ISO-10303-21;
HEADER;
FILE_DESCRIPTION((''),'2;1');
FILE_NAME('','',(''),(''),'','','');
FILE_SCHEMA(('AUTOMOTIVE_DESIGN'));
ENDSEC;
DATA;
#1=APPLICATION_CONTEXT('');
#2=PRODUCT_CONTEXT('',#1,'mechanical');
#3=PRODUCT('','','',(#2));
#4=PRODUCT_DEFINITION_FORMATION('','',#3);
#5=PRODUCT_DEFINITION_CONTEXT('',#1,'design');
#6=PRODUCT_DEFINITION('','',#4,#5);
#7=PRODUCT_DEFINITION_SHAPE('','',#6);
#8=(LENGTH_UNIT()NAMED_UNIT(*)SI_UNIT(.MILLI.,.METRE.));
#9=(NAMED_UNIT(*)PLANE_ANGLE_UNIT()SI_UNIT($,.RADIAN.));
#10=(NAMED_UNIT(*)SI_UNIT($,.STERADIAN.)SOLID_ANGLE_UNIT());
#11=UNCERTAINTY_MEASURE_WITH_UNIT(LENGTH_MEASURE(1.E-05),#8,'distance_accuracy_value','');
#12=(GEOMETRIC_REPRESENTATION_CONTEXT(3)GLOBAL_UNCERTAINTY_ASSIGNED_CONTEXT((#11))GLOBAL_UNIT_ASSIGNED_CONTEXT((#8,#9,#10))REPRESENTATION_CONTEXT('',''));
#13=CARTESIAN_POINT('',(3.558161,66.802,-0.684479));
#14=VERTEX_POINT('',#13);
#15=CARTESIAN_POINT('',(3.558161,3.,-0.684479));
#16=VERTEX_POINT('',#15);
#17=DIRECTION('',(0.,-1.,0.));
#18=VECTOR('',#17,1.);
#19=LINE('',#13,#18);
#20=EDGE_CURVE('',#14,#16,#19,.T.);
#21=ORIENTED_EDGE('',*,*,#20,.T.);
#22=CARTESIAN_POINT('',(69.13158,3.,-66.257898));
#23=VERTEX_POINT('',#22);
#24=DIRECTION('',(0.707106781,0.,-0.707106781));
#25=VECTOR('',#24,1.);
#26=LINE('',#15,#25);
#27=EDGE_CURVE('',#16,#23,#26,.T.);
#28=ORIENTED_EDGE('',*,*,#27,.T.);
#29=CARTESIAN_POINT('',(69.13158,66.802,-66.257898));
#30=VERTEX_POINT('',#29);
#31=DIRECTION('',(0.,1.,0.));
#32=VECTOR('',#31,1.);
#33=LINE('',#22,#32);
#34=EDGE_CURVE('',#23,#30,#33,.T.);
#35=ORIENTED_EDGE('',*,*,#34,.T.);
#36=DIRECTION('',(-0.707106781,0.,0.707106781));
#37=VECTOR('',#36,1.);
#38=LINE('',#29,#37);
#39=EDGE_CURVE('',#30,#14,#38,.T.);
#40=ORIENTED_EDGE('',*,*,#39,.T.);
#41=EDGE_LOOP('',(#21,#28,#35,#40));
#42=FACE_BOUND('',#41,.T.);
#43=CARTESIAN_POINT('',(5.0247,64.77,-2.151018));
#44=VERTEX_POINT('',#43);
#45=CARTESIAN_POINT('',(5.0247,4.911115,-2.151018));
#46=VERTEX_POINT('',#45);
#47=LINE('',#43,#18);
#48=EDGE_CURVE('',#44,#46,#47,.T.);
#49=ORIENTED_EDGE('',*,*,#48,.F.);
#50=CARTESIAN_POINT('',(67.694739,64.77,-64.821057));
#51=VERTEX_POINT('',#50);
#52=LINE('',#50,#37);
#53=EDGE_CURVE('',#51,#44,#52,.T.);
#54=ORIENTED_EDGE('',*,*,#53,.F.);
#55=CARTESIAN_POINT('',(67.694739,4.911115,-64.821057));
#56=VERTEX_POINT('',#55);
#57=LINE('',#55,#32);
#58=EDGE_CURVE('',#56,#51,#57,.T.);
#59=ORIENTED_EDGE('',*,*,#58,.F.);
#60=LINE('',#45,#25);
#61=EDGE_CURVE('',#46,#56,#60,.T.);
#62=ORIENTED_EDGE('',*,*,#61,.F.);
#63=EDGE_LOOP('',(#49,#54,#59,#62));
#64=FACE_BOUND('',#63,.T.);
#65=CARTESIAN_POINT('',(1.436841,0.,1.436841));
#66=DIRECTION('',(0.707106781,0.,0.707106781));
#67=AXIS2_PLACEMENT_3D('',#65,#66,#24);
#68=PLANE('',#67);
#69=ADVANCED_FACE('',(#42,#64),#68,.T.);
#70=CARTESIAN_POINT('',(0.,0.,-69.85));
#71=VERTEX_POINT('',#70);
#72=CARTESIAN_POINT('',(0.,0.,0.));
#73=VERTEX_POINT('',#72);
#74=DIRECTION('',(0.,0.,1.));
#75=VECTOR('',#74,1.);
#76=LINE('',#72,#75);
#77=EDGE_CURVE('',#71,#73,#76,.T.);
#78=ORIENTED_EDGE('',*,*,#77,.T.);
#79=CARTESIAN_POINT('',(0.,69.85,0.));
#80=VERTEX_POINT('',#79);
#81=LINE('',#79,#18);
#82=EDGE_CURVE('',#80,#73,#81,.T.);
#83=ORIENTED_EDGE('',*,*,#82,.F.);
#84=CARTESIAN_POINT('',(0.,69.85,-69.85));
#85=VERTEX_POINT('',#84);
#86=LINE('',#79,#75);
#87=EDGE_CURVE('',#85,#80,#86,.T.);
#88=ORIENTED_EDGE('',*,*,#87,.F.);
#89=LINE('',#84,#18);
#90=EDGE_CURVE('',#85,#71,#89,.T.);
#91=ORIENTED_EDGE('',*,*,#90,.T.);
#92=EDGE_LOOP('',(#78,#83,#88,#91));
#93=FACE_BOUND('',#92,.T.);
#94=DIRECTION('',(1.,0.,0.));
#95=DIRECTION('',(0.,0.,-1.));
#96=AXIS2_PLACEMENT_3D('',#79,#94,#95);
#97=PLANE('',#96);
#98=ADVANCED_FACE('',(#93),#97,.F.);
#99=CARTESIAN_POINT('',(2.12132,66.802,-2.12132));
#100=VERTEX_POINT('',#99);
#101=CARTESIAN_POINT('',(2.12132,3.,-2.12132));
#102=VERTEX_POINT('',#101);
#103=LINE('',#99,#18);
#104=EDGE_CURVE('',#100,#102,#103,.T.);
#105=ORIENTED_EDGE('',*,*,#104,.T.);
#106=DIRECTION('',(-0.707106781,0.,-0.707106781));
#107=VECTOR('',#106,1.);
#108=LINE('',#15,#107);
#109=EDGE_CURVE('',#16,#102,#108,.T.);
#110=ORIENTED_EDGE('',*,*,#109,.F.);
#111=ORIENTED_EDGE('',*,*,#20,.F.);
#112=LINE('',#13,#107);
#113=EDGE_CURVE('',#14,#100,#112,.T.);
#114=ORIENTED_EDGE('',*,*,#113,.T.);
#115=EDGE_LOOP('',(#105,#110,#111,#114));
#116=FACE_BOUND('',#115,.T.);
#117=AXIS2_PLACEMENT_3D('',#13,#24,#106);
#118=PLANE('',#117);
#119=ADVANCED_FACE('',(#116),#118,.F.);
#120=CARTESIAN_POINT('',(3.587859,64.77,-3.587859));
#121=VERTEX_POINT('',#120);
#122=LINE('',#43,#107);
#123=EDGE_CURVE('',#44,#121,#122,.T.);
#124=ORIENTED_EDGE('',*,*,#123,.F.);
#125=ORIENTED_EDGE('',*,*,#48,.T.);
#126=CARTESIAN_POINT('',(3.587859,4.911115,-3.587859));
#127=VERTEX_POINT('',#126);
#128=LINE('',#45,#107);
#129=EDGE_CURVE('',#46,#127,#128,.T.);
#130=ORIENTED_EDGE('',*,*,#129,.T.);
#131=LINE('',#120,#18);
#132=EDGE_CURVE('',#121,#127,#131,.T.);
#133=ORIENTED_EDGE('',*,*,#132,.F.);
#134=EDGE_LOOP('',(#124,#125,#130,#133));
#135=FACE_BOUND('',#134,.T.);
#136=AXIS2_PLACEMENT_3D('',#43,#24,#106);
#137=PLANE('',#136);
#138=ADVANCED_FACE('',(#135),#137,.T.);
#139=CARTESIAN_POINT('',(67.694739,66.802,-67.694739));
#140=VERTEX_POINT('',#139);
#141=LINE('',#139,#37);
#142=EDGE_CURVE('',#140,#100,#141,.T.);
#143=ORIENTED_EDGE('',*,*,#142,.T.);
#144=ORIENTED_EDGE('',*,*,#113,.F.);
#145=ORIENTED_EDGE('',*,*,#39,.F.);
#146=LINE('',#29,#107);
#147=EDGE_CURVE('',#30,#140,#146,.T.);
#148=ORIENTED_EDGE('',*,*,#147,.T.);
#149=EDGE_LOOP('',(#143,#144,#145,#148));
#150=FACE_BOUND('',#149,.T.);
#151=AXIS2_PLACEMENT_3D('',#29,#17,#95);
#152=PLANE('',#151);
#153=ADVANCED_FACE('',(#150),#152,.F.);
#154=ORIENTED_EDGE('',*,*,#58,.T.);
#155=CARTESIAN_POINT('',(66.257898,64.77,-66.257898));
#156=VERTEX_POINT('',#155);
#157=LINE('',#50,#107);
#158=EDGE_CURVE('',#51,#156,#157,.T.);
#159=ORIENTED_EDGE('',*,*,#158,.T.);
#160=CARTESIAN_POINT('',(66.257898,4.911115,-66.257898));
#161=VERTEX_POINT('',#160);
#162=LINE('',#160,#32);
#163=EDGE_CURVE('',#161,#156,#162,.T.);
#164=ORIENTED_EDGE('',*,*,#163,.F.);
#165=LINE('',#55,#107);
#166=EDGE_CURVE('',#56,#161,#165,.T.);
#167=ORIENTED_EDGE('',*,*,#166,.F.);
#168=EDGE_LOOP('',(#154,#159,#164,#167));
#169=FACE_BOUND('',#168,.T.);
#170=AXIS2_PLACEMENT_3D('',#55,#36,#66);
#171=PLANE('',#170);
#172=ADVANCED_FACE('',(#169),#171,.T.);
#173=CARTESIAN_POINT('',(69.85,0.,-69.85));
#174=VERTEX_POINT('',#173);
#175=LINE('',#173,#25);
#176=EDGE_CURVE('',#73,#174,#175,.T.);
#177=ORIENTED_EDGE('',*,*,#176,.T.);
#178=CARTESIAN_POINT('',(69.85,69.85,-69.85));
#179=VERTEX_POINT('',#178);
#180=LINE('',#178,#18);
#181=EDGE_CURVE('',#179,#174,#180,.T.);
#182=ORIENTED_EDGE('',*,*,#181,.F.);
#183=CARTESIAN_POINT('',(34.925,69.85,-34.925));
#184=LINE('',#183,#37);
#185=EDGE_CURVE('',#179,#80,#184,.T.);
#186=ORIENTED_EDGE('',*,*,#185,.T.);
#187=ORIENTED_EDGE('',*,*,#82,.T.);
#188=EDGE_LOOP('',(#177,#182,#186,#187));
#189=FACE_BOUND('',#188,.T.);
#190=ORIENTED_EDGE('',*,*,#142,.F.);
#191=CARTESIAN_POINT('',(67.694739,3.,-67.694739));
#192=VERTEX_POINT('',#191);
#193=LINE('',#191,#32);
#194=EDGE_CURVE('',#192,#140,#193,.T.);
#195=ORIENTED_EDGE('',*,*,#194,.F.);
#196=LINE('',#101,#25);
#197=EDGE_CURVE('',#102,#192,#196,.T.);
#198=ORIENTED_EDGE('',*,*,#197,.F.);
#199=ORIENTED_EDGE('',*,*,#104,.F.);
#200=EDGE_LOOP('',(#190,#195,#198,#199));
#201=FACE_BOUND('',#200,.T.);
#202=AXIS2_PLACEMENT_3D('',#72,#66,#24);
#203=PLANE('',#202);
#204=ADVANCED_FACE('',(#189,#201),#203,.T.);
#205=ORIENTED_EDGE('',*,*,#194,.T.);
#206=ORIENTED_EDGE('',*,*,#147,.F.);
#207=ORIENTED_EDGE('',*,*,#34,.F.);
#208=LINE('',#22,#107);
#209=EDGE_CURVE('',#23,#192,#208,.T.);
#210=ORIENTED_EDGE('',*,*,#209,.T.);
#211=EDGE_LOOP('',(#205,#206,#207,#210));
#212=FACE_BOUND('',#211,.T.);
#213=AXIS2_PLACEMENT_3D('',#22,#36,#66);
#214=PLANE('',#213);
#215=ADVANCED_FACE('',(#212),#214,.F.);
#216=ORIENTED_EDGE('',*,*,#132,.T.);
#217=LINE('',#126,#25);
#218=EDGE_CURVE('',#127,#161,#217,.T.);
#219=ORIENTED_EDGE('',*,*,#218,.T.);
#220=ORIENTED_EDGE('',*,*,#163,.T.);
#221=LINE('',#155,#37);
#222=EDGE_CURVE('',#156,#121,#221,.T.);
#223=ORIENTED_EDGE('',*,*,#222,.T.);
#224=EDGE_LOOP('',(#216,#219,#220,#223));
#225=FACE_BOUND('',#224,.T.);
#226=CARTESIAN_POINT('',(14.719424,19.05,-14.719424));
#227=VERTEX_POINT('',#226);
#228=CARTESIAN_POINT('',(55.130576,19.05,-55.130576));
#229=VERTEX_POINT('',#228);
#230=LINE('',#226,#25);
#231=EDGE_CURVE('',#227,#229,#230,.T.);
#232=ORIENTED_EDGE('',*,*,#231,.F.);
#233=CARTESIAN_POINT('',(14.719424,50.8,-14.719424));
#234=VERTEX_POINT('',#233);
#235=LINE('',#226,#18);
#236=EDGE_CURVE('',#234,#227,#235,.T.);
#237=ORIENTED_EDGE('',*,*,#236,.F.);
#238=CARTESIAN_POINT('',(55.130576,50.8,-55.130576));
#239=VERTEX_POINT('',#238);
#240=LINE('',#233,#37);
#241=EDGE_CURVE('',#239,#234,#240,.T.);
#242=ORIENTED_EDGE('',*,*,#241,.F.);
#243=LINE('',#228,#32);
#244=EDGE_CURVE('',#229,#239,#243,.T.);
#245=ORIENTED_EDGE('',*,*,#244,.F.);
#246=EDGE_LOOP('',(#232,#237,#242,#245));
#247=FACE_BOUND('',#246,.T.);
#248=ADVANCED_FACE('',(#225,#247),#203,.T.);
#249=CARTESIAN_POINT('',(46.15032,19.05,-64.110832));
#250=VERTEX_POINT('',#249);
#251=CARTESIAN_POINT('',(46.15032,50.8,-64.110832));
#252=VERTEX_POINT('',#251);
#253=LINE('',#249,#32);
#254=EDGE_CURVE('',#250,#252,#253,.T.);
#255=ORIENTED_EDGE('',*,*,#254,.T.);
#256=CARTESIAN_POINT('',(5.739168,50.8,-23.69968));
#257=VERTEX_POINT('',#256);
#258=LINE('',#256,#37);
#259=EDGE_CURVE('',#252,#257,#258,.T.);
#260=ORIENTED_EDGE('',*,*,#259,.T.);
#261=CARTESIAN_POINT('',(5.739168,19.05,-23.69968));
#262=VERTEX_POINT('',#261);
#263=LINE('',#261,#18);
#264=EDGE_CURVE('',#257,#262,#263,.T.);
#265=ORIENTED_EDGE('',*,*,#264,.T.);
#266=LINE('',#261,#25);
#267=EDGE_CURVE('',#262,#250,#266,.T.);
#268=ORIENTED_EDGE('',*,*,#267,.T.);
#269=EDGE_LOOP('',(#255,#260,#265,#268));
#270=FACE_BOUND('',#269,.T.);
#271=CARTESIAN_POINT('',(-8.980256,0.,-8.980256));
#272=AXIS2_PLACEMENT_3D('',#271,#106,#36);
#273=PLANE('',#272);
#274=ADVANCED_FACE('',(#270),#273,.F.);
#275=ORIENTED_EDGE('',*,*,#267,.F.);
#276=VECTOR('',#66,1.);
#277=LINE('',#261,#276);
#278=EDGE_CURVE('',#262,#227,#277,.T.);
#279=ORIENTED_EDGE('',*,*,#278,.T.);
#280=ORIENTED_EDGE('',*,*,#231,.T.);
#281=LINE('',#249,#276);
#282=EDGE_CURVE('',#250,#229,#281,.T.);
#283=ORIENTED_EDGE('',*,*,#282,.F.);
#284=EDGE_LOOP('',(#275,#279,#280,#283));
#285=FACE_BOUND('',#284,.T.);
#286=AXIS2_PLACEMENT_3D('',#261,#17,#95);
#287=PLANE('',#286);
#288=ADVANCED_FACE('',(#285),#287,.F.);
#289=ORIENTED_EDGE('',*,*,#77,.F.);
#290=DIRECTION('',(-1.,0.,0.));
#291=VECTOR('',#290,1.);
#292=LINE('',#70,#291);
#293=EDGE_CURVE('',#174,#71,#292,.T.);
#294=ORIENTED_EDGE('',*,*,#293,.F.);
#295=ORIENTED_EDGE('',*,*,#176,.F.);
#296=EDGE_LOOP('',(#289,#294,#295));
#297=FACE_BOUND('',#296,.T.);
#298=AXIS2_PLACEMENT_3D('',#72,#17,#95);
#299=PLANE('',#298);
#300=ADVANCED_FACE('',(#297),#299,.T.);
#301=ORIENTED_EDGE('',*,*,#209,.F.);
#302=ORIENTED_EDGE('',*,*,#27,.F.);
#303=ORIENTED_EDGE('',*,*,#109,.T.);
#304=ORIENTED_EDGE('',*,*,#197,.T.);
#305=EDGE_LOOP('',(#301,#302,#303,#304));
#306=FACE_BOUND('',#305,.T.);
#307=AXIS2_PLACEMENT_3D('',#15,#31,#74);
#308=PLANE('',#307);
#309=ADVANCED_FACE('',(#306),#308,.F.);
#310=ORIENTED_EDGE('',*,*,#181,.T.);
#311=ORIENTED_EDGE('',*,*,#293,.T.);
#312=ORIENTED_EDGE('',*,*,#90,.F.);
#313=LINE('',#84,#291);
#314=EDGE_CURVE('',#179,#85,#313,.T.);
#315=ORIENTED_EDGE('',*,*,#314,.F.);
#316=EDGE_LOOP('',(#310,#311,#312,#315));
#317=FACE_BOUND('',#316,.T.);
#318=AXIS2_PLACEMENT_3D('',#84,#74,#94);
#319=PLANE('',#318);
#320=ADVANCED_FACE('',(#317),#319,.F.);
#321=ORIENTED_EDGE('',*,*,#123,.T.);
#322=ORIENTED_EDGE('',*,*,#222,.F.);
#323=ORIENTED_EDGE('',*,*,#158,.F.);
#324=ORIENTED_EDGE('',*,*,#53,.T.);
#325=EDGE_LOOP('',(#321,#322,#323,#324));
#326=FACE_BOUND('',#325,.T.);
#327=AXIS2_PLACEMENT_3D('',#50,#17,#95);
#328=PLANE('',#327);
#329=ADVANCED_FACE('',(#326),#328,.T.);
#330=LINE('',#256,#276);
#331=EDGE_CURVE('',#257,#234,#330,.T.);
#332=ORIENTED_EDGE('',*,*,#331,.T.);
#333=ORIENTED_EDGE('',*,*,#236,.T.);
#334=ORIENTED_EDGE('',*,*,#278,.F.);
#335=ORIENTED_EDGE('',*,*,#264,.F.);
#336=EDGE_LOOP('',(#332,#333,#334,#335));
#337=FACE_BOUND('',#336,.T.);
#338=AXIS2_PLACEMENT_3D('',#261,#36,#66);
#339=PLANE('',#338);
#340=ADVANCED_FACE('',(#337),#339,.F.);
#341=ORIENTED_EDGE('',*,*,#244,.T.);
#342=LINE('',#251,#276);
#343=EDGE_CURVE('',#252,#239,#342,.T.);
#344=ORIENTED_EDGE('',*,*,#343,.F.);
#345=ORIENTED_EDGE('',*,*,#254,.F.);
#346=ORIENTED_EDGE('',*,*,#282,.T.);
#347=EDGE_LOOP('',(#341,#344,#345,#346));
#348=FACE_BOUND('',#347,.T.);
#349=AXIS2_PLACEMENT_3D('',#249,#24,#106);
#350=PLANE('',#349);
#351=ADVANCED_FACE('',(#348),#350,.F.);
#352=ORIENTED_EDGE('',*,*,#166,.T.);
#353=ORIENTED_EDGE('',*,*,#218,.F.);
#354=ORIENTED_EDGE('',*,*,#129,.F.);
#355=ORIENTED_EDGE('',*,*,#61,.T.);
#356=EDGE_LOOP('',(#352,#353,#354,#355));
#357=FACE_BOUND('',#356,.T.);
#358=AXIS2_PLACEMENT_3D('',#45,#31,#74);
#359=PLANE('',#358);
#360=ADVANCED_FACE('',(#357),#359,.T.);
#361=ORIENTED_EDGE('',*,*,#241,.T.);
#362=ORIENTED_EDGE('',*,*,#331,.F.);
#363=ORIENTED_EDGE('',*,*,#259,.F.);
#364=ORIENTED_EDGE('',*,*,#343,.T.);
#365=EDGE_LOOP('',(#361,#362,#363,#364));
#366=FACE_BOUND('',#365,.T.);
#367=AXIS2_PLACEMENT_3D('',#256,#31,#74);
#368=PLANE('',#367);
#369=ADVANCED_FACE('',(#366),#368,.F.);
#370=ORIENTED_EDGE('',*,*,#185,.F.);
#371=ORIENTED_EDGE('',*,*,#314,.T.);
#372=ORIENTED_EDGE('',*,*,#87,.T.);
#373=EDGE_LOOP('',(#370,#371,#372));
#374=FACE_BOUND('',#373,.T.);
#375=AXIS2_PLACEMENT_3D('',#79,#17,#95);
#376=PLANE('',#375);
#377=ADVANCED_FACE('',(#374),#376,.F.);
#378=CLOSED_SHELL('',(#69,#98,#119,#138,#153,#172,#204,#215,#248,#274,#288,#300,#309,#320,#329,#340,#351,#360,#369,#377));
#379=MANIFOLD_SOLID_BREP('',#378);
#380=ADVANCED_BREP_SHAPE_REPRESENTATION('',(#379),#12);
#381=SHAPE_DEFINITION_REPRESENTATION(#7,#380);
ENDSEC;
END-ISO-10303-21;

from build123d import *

# Parameters (mm, degrees)
SKETCH1_W           = 69.85
SKETCH1_H           = 69.85
BOSS_EXTRUDE1_DEPTH = 69.85
CUT_EXTRUDE2_DEPTH  = 100
SKETCH3_W           = 92.734817332
SKETCH3_H           = 63.802
SKETCH3_W_2         = 88.628817955
SKETCH3_H_2         = 59.858884928
BOSS_EXTRUDE2_DEPTH = 2.032
SKETCH4_W           = 57.15
SKETCH4_H           = 31.75
CUT_EXTRUDE3_DEPTH  = 12.7


with BuildPart() as part:
    # Sketch1 → Boss-Extrude1 (new body)
    with BuildSketch(Plane(origin=(0, 0, 0), x_dir=(1, 0, 0), z_dir=(0, 1, 0))):
        with Locations((34.925, 34.925)):
            Rectangle(SKETCH1_W, SKETCH1_H)
    extrude(amount=BOSS_EXTRUDE1_DEPTH)

    # Sketch2 → Cut-Extrude2 (cut)
    with BuildSketch(Plane(origin=(0, 0, 0), x_dir=(0.707106781, 0, -0.707106781), z_dir=(0.707106781, 0, 0.707106781))):
        Polygon((98.782817332, 69.85), (98.782817332, 0), (49.391408666, 0), (0, 0), (0, 69.85), (49.391408666, 69.85), align=None)
    extrude(amount=CUT_EXTRUDE2_DEPTH, mode=Mode.SUBTRACT)

    # Sketch3 → Boss-Extrude2 (add)
    with BuildSketch(Plane(origin=(0, 0, 0), x_dir=(0.707106781, 0, -0.707106781), z_dir=(0.707106781, 0, 0.707106781))):
        with Locations((49.367408666, 34.901)):
            Rectangle(SKETCH3_W, SKETCH3_H)
        with Locations((49.388408355, 34.840557536)):
            Rectangle(SKETCH3_W_2, SKETCH3_H_2, mode=Mode.SUBTRACT)
    extrude(amount=BOSS_EXTRUDE2_DEPTH)

    # Sketch4 → Cut-Extrude3 (cut)
    with BuildSketch(Plane(origin=(0, 0, 0), x_dir=(0.707106781, 0, -0.707106781), z_dir=(0.707106781, 0, 0.707106781))):
        with Locations((49.391408666, 34.925)):
            Rectangle(SKETCH4_W, SKETCH4_H)
    extrude(amount=-CUT_EXTRUDE3_DEPTH, mode=Mode.SUBTRACT)


solid = part.part
